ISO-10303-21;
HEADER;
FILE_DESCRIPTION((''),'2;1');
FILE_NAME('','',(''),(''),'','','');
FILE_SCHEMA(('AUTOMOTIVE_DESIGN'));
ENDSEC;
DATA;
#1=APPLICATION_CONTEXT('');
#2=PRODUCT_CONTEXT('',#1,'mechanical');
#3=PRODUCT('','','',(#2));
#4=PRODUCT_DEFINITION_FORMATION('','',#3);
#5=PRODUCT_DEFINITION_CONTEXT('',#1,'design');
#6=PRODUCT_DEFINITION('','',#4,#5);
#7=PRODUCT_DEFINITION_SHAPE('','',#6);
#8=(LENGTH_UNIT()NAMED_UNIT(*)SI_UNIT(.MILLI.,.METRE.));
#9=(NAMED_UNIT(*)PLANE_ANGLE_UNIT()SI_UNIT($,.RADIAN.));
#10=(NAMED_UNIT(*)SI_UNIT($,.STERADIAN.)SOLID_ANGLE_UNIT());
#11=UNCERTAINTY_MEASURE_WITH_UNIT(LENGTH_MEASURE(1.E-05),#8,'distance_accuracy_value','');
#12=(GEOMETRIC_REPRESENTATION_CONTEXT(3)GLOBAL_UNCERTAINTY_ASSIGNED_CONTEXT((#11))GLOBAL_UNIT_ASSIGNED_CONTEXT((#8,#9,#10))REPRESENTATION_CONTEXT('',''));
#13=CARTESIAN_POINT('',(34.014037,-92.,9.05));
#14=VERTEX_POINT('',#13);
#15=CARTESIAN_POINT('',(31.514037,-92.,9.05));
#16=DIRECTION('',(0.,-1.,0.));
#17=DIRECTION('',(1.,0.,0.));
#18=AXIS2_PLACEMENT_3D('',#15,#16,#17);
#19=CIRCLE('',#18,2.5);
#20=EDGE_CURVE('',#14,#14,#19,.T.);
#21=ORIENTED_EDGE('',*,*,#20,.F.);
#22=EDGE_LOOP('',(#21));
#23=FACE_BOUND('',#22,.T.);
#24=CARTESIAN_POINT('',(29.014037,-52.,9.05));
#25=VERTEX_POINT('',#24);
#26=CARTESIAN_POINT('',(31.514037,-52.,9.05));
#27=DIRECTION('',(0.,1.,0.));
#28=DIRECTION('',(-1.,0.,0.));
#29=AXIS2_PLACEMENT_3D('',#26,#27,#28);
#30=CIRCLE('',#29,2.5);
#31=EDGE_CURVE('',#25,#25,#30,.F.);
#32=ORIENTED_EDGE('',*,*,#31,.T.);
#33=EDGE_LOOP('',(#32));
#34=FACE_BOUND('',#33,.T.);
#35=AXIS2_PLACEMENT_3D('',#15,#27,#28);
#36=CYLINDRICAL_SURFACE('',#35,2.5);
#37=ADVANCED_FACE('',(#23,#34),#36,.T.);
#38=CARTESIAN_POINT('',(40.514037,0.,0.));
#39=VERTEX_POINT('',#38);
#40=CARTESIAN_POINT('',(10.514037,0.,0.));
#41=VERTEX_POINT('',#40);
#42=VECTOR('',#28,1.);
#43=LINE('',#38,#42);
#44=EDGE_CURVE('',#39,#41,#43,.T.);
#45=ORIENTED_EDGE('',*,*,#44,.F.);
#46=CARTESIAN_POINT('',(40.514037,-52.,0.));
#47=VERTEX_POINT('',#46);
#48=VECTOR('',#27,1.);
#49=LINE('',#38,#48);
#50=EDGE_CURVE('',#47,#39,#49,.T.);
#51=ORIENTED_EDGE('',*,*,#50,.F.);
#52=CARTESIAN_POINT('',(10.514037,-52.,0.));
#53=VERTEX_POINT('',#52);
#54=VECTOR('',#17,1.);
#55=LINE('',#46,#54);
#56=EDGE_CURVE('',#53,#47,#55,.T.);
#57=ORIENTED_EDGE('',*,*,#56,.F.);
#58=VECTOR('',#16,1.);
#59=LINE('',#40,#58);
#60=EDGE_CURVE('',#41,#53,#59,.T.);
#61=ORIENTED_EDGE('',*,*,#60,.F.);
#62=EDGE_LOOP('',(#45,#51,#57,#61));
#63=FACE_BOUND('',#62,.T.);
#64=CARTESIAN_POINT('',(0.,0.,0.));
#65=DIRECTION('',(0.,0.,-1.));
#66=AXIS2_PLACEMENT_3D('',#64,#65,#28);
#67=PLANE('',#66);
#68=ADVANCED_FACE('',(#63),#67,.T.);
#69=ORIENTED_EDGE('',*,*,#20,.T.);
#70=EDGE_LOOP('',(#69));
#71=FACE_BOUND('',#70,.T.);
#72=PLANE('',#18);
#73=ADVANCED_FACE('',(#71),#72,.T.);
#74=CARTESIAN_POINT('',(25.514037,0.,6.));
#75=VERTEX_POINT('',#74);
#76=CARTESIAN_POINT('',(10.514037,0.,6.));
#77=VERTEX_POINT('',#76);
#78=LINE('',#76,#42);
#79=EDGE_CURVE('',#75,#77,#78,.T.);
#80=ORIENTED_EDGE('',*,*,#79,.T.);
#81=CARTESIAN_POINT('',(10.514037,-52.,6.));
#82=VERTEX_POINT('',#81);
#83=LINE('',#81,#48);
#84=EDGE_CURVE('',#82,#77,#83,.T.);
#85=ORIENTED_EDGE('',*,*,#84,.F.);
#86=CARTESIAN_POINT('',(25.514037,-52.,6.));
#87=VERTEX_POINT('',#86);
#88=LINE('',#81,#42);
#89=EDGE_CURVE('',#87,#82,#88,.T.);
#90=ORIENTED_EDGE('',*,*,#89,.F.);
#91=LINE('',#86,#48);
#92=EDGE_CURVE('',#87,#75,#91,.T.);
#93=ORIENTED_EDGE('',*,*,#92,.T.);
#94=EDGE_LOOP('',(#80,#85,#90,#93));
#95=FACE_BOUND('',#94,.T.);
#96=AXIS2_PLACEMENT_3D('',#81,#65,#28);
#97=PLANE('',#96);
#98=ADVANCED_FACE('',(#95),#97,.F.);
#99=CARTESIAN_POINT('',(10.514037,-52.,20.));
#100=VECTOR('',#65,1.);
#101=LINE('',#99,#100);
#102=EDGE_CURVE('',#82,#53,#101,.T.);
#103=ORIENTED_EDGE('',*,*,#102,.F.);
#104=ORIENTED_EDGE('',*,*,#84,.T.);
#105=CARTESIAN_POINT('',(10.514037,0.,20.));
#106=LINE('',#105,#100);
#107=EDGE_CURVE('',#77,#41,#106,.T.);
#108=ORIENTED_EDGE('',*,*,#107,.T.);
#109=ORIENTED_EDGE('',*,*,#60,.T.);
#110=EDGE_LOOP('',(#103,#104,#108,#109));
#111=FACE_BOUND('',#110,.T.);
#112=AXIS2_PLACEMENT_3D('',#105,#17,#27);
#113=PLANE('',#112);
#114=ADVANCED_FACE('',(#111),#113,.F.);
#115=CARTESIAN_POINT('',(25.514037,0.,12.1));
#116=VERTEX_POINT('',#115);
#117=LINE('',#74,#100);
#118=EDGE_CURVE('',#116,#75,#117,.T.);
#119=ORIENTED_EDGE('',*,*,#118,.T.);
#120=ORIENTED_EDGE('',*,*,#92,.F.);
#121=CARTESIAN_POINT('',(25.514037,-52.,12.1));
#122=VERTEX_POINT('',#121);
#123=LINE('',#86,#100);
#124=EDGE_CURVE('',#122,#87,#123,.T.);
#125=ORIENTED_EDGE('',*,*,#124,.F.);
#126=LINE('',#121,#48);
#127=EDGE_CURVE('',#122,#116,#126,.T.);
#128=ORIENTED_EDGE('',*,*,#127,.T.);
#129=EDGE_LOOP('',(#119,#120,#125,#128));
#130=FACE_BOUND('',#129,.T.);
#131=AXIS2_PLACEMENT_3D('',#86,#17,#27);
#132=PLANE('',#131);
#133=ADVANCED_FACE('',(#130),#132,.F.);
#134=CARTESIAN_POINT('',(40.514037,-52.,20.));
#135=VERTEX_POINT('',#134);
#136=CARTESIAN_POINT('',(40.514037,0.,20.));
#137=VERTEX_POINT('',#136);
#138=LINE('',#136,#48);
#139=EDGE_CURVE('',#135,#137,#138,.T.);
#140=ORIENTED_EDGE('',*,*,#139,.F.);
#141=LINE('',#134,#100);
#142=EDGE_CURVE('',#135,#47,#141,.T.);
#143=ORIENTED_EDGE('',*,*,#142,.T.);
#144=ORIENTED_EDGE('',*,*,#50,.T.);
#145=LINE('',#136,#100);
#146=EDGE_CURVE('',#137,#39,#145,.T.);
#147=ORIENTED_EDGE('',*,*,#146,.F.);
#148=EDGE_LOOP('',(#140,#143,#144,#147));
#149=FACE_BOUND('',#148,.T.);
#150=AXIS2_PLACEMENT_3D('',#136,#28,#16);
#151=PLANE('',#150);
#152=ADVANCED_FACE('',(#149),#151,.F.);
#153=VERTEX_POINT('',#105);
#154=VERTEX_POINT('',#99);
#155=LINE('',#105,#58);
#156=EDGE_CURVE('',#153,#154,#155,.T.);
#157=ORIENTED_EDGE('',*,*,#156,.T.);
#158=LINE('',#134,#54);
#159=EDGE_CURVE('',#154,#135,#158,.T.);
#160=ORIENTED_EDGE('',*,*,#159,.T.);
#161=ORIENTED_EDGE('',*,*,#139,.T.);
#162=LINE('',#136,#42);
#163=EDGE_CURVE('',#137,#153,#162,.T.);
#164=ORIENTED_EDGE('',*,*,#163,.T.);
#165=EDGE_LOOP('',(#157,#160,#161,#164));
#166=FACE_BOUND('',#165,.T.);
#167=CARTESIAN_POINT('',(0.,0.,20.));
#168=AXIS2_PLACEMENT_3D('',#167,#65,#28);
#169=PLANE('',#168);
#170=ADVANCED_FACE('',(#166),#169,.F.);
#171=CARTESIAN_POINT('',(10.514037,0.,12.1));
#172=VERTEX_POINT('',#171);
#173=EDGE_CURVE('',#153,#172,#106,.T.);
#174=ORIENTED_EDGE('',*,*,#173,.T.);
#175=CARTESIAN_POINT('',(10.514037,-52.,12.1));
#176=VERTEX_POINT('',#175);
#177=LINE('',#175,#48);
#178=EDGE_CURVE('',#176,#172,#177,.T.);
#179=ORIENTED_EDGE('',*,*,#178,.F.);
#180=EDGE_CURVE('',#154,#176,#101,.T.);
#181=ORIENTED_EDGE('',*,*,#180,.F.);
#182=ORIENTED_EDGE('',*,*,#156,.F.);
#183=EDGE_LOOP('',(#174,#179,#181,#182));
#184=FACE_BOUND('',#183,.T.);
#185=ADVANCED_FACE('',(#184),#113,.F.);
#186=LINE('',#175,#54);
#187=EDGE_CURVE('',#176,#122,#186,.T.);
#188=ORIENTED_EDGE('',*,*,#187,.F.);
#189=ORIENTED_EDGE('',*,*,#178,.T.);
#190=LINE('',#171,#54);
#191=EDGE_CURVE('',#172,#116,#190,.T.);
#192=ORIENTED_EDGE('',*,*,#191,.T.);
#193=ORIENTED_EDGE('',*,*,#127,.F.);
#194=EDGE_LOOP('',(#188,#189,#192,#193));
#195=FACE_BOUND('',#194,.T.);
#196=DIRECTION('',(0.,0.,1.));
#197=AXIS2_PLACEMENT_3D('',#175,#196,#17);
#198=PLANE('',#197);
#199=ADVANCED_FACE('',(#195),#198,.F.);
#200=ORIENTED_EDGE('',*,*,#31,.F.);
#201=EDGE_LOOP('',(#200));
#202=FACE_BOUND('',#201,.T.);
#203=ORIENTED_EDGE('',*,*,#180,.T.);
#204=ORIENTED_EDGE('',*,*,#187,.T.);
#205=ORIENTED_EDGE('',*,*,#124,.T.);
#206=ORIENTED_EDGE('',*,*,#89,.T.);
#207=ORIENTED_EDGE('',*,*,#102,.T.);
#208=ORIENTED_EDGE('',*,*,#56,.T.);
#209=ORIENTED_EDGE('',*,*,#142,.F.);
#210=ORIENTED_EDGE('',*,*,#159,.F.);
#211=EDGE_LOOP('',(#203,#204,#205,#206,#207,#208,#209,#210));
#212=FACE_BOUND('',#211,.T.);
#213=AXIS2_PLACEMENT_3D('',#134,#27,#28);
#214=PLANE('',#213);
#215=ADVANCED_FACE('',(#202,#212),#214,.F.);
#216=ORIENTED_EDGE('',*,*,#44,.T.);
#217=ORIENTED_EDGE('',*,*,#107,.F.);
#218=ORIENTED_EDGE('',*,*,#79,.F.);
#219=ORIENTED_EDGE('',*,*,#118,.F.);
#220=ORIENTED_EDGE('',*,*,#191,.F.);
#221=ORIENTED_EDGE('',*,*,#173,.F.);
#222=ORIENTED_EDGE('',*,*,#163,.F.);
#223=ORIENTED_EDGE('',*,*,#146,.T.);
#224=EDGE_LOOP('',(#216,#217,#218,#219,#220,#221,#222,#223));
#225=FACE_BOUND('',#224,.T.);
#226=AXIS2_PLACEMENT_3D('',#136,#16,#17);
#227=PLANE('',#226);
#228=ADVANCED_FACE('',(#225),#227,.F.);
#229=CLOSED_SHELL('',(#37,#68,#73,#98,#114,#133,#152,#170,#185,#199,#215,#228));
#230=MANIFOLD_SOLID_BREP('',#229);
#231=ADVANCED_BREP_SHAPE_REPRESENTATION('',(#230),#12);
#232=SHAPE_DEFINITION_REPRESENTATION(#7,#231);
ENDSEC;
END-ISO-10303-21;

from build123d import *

# Parameters (mm, degrees)
SKETCH1_W           = 30
SKETCH1_H           = 52
BOSS_EXTRUDE1_DEPTH = 20
SKETCH3_W           = 15
SKETCH3_H           = 6.1
CUT_EXTRUDE1_DEPTH  = 69.886771008
SKETCH4_R           = 2.5
BOSS_EXTRUDE2_DEPTH = 40


with BuildPart() as part:
    # Sketch1 → Boss-Extrude1 (new body)
    with BuildSketch(Plane.XY):
        with Locations((25.514037319, -26)):
            Rectangle(SKETCH1_W, SKETCH1_H)
    extrude(amount=BOSS_EXTRUDE1_DEPTH)

    # Sketch3 → Cut-Extrude1 (cut, through all)
    with BuildSketch(Plane(origin=(0, 0, 0), x_dir=(1, 0, 0), z_dir=(0, 1, 0))):
        with Locations((18.014037319, -9.05)):
            Rectangle(SKETCH3_W, SKETCH3_H)
    extrude(amount=-CUT_EXTRUDE1_DEPTH, mode=Mode.SUBTRACT)

    # Sketch4 → Boss-Extrude2 (add)
    with BuildSketch(Plane(origin=(0, -52, 0), x_dir=(-1, 0, 0), z_dir=(0, -1, 0))):
        with Locations((-31.514037319, -9.05)):
            Circle(SKETCH4_R)
    extrude(amount=BOSS_EXTRUDE2_DEPTH)


solid = part.part
